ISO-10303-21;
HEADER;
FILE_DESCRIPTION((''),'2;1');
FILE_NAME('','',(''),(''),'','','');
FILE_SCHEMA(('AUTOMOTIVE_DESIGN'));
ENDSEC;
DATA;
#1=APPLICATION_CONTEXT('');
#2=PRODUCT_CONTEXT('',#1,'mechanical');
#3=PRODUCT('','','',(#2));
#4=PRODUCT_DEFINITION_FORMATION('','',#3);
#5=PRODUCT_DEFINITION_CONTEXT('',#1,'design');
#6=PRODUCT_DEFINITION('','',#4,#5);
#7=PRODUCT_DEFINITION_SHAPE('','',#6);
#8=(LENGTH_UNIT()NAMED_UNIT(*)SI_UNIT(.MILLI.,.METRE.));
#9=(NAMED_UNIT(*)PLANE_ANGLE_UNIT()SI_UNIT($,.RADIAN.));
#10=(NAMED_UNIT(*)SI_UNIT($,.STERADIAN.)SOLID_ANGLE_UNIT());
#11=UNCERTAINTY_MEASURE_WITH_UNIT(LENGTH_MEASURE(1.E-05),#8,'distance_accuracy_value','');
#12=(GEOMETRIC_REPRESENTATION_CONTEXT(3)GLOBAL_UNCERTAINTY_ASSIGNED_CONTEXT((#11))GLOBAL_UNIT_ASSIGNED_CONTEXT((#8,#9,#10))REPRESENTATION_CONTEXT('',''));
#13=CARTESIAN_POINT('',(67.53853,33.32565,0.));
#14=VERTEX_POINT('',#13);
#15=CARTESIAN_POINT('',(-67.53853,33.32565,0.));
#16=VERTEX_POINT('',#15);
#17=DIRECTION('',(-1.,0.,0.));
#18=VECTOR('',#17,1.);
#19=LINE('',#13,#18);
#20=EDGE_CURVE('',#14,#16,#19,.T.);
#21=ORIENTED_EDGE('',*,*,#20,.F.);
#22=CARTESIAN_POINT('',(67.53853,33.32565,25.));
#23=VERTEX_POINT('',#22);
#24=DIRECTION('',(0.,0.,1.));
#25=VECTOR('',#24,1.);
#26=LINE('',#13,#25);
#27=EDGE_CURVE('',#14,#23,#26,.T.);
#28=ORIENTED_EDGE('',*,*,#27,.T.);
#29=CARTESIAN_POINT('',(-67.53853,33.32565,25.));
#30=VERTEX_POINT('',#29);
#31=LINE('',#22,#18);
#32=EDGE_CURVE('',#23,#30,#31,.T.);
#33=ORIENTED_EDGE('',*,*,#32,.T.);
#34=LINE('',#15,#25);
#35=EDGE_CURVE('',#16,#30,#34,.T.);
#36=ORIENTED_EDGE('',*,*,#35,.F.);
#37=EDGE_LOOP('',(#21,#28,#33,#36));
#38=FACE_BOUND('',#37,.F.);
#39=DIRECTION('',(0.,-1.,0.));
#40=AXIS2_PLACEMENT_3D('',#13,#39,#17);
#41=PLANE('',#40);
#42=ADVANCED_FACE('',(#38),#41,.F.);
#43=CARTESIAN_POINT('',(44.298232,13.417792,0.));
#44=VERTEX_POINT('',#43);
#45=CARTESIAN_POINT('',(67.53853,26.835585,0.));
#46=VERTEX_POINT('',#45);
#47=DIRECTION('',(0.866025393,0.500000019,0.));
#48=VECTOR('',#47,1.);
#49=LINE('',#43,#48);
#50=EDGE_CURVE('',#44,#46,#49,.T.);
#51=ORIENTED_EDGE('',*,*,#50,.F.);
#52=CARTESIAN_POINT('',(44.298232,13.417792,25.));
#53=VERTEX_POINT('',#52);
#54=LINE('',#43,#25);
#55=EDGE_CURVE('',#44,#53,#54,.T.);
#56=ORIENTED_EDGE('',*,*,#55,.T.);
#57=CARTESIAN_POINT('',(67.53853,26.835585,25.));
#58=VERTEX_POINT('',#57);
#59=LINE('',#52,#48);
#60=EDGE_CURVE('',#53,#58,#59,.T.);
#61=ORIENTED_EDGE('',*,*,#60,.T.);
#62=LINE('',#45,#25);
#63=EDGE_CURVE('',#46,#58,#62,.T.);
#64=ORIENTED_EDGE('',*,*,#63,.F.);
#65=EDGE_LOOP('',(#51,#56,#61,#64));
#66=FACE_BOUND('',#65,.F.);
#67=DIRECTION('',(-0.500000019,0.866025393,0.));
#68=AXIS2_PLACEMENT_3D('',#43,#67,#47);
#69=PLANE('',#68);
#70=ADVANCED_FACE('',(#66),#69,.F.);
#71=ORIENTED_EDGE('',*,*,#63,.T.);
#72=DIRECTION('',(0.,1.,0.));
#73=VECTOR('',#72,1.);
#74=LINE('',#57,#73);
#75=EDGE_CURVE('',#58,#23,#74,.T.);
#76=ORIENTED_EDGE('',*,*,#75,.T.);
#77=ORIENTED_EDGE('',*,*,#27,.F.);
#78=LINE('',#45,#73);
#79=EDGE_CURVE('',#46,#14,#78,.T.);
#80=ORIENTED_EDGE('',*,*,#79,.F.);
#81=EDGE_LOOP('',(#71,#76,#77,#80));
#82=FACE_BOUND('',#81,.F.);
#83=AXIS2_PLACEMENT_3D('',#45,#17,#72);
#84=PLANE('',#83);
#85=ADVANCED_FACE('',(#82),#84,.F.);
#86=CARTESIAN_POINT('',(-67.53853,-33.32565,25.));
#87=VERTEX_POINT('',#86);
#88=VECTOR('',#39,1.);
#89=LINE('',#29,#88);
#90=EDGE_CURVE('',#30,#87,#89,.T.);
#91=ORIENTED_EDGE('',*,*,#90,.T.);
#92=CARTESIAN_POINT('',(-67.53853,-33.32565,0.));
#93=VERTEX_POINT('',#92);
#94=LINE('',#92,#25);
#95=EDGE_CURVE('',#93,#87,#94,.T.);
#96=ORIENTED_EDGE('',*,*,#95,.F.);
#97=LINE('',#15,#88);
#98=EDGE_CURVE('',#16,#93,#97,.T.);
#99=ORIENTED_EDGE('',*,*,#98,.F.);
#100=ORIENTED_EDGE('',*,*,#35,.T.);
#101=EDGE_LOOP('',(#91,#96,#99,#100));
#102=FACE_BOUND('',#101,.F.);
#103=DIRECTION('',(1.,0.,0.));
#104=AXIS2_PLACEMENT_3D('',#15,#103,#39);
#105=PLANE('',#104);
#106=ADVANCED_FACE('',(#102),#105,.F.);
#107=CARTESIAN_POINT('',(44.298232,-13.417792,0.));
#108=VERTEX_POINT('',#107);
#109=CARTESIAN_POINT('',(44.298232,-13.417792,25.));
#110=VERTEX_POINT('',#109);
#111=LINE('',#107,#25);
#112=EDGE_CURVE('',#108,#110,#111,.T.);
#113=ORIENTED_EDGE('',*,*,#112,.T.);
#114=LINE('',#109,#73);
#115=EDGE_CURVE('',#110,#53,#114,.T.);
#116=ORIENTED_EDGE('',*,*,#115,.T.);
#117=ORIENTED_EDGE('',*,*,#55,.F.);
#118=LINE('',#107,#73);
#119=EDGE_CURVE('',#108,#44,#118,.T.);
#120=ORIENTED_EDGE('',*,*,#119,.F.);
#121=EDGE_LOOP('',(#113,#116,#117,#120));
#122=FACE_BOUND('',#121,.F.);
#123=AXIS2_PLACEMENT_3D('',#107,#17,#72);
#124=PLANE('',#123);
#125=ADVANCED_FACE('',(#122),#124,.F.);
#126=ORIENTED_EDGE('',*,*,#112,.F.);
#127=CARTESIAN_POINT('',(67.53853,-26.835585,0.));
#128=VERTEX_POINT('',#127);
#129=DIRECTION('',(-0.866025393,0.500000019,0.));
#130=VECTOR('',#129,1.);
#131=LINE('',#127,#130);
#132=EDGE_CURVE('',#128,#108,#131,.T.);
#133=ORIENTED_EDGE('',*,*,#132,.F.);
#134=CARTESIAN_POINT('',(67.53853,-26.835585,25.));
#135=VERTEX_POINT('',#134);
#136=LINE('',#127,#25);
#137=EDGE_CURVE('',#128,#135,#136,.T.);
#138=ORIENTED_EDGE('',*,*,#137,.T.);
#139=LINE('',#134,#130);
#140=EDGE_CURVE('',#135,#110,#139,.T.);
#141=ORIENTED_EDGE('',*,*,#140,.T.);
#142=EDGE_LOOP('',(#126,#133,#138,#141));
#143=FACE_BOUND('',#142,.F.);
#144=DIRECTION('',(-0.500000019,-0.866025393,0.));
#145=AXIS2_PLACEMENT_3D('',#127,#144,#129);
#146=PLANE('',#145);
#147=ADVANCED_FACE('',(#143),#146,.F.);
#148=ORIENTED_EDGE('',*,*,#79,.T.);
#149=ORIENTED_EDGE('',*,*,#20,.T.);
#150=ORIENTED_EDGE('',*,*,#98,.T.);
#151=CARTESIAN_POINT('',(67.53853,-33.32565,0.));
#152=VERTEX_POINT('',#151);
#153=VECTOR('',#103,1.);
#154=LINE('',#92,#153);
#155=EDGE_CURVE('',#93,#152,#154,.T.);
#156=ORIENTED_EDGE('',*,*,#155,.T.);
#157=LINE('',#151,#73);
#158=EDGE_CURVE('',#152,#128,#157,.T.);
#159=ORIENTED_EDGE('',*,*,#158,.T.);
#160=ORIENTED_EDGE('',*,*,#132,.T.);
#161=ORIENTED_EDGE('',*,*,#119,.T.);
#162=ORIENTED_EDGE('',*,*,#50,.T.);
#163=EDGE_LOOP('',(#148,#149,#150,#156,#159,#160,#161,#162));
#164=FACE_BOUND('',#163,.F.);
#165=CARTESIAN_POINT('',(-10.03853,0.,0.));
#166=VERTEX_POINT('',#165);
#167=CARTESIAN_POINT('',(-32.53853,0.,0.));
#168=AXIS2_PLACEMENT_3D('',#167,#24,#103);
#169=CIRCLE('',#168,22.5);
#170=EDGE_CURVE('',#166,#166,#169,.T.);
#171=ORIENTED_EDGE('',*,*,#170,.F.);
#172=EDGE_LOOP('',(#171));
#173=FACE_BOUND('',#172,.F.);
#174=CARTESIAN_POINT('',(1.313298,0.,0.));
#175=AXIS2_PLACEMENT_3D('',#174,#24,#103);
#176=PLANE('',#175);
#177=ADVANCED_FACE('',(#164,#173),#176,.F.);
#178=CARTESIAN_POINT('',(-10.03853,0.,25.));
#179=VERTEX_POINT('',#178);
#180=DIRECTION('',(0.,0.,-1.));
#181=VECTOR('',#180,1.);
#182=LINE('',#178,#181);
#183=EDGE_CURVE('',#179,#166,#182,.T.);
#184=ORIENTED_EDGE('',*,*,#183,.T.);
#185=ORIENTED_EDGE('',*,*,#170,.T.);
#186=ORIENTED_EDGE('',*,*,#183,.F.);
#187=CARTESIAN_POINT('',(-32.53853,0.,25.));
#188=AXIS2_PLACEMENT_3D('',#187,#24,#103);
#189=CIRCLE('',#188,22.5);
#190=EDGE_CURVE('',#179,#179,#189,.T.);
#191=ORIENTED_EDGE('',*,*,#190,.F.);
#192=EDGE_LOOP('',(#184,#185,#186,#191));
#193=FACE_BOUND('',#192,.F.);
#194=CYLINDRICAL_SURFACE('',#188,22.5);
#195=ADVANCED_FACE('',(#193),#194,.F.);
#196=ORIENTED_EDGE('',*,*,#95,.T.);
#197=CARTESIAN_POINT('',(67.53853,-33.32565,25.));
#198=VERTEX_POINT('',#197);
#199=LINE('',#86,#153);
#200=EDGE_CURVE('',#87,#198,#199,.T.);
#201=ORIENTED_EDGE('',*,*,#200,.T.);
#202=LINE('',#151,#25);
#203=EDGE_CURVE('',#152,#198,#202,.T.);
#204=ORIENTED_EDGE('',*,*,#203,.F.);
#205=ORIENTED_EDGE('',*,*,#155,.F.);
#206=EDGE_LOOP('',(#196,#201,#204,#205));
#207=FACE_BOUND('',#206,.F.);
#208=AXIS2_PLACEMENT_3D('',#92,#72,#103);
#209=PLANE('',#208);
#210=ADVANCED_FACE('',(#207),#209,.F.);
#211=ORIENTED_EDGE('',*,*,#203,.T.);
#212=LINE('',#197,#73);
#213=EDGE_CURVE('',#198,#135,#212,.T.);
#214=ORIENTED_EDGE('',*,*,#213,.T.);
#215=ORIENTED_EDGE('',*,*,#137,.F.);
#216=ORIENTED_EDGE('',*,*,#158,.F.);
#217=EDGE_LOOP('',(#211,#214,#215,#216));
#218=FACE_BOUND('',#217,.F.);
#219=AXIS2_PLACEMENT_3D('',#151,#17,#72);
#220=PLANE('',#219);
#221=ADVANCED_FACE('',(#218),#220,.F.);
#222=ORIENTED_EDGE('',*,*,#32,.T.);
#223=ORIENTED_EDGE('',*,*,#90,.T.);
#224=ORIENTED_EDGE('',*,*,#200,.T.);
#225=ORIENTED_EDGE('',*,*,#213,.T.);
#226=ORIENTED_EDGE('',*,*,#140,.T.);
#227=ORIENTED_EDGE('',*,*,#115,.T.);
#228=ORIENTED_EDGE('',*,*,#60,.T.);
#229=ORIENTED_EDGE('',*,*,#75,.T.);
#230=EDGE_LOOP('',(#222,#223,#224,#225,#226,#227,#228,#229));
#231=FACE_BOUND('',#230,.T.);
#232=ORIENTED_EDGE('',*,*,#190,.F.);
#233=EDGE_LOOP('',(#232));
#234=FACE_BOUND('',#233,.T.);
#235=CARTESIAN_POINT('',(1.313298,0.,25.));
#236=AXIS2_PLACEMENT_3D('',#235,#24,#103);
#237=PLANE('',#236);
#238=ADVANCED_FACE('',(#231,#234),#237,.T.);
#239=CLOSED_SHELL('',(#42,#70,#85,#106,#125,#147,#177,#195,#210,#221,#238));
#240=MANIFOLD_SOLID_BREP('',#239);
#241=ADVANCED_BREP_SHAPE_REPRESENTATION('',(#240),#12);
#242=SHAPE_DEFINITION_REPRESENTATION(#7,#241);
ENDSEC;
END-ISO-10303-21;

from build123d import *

# Parameters (mm, degrees)
F1_DEPTH = 25
F2_R     = 22.5
F3_DEPTH = 25


with BuildPart() as f1:
    # F0 (on Top) → F1 (new body)
    with BuildSketch(Plane.XY):
        Polygon((67.53853, 26.835585), (67.53853, 33.32565), (-67.53853, 33.32565), (-67.53853, -33.32565), (67.53853, -33.32565), (67.53853, -26.835585), (44.298232, -13.417792), (44.298232, 13.417792), align=None)
    extrude(amount=F1_DEPTH)

    # F2 (on face) → F3 (cut)
    with BuildSketch(Plane.XY.offset(25)):
        with Locations((-32.53853, 0)):
            Circle(F2_R)
    extrude(amount=-F3_DEPTH, mode=Mode.SUBTRACT)


solid = f1.part
